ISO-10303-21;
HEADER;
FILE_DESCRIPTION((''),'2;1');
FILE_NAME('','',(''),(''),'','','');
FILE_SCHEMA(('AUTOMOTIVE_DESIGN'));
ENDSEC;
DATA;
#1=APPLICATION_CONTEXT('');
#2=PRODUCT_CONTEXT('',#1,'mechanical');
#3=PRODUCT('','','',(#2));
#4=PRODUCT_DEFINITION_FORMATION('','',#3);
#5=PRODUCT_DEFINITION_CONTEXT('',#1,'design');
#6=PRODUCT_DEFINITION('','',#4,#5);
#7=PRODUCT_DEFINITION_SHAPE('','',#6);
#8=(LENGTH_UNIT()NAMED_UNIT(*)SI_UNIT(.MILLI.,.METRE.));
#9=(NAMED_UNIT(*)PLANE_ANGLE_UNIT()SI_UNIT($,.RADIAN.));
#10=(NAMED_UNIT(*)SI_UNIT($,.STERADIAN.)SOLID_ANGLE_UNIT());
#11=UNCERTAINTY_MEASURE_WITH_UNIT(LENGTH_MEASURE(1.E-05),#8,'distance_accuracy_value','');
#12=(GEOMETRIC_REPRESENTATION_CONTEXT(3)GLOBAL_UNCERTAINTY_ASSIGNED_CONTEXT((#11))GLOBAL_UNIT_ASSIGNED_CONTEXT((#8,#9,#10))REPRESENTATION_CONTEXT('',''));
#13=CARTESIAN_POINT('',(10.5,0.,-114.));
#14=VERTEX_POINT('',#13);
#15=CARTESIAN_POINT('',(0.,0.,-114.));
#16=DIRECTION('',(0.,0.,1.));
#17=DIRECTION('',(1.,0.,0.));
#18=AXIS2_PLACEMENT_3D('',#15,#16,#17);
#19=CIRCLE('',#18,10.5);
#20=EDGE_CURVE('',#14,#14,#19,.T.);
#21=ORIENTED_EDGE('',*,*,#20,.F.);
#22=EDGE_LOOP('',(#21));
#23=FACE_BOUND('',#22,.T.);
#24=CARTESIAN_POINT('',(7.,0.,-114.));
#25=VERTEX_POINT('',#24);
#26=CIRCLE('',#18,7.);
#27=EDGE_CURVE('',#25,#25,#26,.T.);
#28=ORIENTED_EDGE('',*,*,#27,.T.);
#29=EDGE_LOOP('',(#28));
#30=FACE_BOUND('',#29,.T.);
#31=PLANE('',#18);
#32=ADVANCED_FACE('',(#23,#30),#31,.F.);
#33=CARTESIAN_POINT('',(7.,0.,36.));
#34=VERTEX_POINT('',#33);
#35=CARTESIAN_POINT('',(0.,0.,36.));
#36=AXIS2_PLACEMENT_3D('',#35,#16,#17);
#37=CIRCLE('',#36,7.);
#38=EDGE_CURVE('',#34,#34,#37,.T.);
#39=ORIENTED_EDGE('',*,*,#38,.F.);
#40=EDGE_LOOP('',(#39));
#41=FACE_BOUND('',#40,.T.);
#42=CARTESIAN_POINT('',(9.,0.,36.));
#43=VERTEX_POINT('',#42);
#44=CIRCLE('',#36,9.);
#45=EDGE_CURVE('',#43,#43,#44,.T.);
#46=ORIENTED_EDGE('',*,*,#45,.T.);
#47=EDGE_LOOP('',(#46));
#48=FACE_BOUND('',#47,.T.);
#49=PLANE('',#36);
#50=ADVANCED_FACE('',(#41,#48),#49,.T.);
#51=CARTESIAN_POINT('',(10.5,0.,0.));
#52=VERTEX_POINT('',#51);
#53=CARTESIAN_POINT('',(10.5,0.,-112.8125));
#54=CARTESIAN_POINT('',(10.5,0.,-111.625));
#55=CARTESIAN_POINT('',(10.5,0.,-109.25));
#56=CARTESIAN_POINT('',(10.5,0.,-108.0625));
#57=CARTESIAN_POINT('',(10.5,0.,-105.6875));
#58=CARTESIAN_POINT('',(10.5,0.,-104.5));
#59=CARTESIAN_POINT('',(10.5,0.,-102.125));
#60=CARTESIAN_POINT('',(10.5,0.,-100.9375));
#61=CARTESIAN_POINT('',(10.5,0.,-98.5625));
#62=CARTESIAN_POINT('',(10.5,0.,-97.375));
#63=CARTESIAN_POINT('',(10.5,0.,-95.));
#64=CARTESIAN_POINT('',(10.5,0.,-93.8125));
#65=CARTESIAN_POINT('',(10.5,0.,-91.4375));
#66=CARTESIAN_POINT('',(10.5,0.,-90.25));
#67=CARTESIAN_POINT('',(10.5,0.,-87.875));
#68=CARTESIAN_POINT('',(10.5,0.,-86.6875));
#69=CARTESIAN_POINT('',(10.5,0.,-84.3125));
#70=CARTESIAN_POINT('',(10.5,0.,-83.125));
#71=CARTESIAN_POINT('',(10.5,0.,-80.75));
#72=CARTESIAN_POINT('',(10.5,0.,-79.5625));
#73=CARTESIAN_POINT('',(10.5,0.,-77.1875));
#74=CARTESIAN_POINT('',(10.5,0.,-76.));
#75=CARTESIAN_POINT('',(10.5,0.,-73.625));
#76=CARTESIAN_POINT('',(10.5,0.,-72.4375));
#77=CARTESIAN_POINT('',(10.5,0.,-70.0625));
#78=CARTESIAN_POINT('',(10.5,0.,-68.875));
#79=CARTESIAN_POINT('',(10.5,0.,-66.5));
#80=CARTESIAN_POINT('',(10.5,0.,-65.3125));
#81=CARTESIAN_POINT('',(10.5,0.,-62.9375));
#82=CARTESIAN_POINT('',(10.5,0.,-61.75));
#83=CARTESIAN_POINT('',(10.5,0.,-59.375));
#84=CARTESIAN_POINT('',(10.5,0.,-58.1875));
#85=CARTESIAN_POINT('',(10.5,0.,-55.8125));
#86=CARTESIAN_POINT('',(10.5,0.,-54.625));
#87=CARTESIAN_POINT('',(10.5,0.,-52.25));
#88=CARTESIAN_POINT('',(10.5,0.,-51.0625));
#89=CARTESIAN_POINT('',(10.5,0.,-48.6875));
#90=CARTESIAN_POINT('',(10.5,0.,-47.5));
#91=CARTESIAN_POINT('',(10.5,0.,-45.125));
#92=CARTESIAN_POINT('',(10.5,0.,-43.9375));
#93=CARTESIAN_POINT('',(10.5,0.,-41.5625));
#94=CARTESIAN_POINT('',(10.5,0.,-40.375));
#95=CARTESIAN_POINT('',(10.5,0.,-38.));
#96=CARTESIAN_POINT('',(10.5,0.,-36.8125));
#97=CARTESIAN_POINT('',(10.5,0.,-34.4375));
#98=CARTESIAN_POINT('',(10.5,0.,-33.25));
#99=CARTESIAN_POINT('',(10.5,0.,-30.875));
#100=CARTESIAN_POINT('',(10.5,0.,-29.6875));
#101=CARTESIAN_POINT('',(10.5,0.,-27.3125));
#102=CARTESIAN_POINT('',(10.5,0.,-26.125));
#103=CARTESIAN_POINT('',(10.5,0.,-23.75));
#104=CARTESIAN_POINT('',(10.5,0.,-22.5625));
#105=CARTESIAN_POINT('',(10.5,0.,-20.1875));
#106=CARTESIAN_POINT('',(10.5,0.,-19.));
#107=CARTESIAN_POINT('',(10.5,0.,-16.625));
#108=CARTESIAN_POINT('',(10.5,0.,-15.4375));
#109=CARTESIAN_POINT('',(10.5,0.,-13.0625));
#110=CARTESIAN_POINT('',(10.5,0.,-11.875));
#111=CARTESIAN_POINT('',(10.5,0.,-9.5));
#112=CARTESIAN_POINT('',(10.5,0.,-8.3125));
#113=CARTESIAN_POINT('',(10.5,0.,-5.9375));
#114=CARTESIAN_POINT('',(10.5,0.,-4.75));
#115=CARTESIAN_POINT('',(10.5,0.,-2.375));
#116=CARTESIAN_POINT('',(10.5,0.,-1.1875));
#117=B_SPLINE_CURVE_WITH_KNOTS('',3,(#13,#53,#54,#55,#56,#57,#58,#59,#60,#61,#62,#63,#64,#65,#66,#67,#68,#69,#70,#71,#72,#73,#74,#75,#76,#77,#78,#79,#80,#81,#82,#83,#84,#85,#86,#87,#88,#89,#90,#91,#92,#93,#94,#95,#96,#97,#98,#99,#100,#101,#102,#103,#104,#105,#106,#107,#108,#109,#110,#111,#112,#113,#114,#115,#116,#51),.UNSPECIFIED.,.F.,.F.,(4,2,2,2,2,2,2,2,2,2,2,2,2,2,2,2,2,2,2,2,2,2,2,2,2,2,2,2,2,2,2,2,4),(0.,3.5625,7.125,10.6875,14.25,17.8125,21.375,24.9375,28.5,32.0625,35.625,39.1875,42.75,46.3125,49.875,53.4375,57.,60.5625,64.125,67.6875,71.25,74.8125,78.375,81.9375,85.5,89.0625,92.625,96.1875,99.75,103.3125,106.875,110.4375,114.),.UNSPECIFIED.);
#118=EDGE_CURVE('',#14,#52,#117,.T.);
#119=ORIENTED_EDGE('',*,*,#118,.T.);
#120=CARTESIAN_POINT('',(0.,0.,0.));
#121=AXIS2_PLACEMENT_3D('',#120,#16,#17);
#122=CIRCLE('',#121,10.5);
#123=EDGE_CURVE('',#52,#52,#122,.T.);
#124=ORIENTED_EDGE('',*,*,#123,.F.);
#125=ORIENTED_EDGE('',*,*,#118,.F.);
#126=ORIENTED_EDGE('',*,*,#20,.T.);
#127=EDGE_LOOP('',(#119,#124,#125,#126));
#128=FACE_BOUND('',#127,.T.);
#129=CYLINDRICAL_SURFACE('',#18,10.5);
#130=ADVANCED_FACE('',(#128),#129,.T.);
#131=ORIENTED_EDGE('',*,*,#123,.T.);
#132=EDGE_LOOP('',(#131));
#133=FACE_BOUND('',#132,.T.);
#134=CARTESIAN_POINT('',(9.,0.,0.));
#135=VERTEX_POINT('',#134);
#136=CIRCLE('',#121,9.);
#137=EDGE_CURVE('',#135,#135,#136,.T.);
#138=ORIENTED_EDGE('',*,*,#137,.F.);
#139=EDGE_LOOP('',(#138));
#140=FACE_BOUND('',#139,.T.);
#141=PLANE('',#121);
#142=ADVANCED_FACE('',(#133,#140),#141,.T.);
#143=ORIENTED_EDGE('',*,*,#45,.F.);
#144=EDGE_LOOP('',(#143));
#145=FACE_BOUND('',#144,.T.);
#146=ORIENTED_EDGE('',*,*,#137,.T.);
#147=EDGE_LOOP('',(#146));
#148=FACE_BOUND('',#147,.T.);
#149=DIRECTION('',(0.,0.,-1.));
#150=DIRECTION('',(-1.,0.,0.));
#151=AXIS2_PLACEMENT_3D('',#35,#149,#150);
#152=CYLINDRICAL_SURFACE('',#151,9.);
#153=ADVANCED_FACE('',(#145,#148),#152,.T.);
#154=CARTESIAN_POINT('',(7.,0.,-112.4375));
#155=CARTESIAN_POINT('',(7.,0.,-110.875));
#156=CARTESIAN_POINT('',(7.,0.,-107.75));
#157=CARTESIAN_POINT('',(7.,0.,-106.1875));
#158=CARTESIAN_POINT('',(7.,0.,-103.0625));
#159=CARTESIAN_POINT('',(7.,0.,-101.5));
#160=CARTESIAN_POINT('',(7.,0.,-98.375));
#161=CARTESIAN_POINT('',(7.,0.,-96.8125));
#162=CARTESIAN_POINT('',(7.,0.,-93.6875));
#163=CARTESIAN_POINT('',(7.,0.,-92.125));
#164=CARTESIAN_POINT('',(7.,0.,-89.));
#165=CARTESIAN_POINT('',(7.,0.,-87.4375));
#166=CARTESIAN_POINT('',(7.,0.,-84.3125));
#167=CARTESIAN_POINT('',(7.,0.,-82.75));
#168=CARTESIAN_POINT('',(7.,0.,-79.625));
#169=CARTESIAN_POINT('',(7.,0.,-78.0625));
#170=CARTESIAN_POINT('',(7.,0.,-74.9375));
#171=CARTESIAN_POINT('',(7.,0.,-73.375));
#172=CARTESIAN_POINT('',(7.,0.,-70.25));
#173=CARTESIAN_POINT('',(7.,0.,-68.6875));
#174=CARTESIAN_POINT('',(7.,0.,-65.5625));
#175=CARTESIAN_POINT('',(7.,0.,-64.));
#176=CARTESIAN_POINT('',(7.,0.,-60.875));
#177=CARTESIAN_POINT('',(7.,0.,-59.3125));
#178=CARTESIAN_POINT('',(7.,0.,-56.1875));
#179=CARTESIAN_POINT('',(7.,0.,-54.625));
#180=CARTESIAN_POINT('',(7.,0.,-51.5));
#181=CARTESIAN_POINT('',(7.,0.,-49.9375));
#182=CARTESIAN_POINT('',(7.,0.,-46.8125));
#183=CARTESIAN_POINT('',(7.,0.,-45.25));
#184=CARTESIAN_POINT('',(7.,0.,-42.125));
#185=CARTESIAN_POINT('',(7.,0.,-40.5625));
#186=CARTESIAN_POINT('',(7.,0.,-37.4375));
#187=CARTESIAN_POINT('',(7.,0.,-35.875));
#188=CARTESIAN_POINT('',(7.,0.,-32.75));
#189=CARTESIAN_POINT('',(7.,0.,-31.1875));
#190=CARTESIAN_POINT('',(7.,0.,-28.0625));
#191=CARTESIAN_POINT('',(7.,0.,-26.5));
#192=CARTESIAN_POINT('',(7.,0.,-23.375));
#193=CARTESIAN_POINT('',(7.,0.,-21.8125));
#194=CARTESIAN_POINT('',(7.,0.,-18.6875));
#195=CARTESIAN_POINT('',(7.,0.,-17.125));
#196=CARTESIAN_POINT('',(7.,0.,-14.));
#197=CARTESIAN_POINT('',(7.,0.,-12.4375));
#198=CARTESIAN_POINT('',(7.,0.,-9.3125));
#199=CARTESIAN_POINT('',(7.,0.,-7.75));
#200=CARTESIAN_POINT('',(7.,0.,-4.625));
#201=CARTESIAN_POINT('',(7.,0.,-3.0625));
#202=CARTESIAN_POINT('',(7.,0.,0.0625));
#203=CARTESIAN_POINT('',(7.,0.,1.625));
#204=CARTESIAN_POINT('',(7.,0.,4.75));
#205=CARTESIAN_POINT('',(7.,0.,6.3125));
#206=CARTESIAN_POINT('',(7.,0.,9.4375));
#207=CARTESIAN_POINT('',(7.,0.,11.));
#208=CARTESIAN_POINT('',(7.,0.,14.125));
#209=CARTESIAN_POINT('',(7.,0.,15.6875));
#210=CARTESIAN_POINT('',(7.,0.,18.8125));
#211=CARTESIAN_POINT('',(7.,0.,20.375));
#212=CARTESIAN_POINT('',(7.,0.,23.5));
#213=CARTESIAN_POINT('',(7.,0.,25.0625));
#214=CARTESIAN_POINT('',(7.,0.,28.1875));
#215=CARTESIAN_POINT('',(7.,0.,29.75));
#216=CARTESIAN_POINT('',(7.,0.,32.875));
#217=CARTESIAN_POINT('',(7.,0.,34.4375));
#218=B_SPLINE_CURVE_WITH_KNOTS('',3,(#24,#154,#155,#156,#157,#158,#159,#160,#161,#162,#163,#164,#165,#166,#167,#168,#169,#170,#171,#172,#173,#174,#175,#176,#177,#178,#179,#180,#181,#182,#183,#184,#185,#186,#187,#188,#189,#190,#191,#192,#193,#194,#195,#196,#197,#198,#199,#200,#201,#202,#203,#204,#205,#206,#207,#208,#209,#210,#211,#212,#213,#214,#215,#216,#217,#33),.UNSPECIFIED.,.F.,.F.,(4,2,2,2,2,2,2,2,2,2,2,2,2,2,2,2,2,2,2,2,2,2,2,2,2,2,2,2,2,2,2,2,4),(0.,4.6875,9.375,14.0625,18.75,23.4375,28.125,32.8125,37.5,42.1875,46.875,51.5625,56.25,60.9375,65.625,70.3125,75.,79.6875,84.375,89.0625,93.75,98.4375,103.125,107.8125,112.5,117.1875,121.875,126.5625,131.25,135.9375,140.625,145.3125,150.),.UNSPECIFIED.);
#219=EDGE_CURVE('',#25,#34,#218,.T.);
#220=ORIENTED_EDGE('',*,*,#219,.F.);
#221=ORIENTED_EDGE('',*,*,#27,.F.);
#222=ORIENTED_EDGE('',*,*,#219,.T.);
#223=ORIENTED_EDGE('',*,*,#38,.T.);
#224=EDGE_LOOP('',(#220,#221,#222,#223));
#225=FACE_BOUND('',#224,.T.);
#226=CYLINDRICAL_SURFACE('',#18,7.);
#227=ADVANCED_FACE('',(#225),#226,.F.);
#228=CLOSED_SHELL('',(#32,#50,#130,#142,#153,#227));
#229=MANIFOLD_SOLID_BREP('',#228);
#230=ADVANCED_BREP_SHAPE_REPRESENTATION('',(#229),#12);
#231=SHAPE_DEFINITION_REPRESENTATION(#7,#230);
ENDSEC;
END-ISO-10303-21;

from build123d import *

# Parameters (mm, degrees)
SKETCH2_R           = 10.5
SKETCH2_R_2         = 7
BOSS_EXTRUDE1_DEPTH = 114
BOSS_EXTRUDE2_START = 36
SKETCH4_R           = 9
SKETCH4_R_2         = 7
BOSS_EXTRUDE2_DEPTH = 36


with BuildPart() as part:
    # Sketch2 → Boss-Extrude1 (new body)
    with BuildSketch(Plane.XY):
        Circle(SKETCH2_R)
        Circle(SKETCH2_R_2, mode=Mode.SUBTRACT)
    extrude(amount=-BOSS_EXTRUDE1_DEPTH)

    # Sketch4 → Boss-Extrude2 (add)
    with BuildSketch(Plane.XY.offset(BOSS_EXTRUDE2_START)):
        Circle(SKETCH4_R)
        Circle(SKETCH4_R_2, mode=Mode.SUBTRACT)
    extrude(amount=-BOSS_EXTRUDE2_DEPTH)


solid = part.part
